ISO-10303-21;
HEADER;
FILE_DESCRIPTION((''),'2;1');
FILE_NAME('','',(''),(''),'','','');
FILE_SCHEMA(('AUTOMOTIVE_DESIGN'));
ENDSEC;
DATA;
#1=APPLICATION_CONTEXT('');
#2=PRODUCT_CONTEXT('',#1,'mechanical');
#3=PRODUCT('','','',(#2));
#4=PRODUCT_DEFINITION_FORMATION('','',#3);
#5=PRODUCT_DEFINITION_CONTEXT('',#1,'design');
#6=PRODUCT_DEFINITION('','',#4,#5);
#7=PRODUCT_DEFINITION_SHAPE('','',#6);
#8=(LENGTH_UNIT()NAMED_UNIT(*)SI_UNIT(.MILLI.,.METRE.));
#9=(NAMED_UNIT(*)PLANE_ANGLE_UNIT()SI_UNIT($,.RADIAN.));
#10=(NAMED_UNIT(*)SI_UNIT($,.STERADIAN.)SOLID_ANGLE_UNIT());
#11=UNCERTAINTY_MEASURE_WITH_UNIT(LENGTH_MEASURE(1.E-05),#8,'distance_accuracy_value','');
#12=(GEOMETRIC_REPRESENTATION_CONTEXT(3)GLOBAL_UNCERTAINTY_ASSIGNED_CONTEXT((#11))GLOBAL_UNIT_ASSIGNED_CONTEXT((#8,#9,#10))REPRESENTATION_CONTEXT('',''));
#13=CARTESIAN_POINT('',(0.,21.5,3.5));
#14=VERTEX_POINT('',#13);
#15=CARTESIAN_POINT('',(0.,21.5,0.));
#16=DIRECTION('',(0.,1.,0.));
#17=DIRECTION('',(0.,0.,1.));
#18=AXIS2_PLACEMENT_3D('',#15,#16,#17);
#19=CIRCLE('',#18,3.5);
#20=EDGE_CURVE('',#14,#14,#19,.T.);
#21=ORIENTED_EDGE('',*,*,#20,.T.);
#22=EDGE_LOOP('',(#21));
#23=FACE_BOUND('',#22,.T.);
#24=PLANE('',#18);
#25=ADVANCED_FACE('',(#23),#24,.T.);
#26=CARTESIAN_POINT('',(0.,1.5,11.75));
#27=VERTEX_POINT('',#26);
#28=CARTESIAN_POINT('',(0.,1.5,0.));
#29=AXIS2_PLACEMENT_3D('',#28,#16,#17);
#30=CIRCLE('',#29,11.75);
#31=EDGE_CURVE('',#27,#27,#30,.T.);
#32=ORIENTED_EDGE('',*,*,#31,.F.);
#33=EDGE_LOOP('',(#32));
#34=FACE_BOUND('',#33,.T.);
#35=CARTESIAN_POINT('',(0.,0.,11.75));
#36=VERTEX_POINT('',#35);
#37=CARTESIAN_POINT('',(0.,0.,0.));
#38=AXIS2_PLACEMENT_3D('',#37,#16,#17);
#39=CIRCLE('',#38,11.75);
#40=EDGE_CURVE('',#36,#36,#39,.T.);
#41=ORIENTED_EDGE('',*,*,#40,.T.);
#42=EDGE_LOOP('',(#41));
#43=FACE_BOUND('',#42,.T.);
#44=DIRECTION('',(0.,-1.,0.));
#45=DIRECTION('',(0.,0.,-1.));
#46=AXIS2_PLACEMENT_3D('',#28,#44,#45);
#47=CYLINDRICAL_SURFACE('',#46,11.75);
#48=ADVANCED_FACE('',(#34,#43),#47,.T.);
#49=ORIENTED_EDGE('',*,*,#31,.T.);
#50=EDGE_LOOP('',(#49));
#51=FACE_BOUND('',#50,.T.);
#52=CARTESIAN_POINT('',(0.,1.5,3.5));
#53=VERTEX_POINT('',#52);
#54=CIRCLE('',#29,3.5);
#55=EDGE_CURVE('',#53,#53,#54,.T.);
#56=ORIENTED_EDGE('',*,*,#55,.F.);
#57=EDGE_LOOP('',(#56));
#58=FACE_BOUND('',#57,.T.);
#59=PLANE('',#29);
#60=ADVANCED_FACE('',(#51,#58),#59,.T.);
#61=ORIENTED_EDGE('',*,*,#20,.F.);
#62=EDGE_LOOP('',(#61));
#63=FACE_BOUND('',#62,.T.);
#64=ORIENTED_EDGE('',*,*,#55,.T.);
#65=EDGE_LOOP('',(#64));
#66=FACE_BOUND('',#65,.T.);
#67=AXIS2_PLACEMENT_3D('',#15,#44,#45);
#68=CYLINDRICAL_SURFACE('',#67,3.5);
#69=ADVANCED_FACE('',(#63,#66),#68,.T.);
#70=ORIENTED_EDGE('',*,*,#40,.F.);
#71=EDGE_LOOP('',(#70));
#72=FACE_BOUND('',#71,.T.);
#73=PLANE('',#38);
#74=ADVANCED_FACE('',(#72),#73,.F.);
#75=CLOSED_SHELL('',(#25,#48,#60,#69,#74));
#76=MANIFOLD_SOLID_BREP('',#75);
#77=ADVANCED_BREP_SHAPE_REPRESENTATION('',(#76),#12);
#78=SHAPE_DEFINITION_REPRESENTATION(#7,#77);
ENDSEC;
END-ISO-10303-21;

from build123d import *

# Parameters (mm, degrees)
SKETCH1_R           = 11.75
BOSS_EXTRUDE1_DEPTH = 1.5
SKETCH2_R           = 3.5
BOSS_EXTRUDE2_DEPTH = 20


with BuildPart() as part:
    # Sketch1 → Boss-Extrude1 (new body)
    with BuildSketch(Plane(origin=(0, 0, 0), x_dir=(1, 0, 0), z_dir=(0, 1, 0))):
        Circle(SKETCH1_R)
    extrude(amount=BOSS_EXTRUDE1_DEPTH)

    # Sketch2 → Boss-Extrude2 (add)
    with BuildSketch(Plane(origin=(0, 1.5, 0), x_dir=(1, 0, 0), z_dir=(0, 1, 0))):
        Circle(SKETCH2_R)
    extrude(amount=BOSS_EXTRUDE2_DEPTH)


solid = part.part
